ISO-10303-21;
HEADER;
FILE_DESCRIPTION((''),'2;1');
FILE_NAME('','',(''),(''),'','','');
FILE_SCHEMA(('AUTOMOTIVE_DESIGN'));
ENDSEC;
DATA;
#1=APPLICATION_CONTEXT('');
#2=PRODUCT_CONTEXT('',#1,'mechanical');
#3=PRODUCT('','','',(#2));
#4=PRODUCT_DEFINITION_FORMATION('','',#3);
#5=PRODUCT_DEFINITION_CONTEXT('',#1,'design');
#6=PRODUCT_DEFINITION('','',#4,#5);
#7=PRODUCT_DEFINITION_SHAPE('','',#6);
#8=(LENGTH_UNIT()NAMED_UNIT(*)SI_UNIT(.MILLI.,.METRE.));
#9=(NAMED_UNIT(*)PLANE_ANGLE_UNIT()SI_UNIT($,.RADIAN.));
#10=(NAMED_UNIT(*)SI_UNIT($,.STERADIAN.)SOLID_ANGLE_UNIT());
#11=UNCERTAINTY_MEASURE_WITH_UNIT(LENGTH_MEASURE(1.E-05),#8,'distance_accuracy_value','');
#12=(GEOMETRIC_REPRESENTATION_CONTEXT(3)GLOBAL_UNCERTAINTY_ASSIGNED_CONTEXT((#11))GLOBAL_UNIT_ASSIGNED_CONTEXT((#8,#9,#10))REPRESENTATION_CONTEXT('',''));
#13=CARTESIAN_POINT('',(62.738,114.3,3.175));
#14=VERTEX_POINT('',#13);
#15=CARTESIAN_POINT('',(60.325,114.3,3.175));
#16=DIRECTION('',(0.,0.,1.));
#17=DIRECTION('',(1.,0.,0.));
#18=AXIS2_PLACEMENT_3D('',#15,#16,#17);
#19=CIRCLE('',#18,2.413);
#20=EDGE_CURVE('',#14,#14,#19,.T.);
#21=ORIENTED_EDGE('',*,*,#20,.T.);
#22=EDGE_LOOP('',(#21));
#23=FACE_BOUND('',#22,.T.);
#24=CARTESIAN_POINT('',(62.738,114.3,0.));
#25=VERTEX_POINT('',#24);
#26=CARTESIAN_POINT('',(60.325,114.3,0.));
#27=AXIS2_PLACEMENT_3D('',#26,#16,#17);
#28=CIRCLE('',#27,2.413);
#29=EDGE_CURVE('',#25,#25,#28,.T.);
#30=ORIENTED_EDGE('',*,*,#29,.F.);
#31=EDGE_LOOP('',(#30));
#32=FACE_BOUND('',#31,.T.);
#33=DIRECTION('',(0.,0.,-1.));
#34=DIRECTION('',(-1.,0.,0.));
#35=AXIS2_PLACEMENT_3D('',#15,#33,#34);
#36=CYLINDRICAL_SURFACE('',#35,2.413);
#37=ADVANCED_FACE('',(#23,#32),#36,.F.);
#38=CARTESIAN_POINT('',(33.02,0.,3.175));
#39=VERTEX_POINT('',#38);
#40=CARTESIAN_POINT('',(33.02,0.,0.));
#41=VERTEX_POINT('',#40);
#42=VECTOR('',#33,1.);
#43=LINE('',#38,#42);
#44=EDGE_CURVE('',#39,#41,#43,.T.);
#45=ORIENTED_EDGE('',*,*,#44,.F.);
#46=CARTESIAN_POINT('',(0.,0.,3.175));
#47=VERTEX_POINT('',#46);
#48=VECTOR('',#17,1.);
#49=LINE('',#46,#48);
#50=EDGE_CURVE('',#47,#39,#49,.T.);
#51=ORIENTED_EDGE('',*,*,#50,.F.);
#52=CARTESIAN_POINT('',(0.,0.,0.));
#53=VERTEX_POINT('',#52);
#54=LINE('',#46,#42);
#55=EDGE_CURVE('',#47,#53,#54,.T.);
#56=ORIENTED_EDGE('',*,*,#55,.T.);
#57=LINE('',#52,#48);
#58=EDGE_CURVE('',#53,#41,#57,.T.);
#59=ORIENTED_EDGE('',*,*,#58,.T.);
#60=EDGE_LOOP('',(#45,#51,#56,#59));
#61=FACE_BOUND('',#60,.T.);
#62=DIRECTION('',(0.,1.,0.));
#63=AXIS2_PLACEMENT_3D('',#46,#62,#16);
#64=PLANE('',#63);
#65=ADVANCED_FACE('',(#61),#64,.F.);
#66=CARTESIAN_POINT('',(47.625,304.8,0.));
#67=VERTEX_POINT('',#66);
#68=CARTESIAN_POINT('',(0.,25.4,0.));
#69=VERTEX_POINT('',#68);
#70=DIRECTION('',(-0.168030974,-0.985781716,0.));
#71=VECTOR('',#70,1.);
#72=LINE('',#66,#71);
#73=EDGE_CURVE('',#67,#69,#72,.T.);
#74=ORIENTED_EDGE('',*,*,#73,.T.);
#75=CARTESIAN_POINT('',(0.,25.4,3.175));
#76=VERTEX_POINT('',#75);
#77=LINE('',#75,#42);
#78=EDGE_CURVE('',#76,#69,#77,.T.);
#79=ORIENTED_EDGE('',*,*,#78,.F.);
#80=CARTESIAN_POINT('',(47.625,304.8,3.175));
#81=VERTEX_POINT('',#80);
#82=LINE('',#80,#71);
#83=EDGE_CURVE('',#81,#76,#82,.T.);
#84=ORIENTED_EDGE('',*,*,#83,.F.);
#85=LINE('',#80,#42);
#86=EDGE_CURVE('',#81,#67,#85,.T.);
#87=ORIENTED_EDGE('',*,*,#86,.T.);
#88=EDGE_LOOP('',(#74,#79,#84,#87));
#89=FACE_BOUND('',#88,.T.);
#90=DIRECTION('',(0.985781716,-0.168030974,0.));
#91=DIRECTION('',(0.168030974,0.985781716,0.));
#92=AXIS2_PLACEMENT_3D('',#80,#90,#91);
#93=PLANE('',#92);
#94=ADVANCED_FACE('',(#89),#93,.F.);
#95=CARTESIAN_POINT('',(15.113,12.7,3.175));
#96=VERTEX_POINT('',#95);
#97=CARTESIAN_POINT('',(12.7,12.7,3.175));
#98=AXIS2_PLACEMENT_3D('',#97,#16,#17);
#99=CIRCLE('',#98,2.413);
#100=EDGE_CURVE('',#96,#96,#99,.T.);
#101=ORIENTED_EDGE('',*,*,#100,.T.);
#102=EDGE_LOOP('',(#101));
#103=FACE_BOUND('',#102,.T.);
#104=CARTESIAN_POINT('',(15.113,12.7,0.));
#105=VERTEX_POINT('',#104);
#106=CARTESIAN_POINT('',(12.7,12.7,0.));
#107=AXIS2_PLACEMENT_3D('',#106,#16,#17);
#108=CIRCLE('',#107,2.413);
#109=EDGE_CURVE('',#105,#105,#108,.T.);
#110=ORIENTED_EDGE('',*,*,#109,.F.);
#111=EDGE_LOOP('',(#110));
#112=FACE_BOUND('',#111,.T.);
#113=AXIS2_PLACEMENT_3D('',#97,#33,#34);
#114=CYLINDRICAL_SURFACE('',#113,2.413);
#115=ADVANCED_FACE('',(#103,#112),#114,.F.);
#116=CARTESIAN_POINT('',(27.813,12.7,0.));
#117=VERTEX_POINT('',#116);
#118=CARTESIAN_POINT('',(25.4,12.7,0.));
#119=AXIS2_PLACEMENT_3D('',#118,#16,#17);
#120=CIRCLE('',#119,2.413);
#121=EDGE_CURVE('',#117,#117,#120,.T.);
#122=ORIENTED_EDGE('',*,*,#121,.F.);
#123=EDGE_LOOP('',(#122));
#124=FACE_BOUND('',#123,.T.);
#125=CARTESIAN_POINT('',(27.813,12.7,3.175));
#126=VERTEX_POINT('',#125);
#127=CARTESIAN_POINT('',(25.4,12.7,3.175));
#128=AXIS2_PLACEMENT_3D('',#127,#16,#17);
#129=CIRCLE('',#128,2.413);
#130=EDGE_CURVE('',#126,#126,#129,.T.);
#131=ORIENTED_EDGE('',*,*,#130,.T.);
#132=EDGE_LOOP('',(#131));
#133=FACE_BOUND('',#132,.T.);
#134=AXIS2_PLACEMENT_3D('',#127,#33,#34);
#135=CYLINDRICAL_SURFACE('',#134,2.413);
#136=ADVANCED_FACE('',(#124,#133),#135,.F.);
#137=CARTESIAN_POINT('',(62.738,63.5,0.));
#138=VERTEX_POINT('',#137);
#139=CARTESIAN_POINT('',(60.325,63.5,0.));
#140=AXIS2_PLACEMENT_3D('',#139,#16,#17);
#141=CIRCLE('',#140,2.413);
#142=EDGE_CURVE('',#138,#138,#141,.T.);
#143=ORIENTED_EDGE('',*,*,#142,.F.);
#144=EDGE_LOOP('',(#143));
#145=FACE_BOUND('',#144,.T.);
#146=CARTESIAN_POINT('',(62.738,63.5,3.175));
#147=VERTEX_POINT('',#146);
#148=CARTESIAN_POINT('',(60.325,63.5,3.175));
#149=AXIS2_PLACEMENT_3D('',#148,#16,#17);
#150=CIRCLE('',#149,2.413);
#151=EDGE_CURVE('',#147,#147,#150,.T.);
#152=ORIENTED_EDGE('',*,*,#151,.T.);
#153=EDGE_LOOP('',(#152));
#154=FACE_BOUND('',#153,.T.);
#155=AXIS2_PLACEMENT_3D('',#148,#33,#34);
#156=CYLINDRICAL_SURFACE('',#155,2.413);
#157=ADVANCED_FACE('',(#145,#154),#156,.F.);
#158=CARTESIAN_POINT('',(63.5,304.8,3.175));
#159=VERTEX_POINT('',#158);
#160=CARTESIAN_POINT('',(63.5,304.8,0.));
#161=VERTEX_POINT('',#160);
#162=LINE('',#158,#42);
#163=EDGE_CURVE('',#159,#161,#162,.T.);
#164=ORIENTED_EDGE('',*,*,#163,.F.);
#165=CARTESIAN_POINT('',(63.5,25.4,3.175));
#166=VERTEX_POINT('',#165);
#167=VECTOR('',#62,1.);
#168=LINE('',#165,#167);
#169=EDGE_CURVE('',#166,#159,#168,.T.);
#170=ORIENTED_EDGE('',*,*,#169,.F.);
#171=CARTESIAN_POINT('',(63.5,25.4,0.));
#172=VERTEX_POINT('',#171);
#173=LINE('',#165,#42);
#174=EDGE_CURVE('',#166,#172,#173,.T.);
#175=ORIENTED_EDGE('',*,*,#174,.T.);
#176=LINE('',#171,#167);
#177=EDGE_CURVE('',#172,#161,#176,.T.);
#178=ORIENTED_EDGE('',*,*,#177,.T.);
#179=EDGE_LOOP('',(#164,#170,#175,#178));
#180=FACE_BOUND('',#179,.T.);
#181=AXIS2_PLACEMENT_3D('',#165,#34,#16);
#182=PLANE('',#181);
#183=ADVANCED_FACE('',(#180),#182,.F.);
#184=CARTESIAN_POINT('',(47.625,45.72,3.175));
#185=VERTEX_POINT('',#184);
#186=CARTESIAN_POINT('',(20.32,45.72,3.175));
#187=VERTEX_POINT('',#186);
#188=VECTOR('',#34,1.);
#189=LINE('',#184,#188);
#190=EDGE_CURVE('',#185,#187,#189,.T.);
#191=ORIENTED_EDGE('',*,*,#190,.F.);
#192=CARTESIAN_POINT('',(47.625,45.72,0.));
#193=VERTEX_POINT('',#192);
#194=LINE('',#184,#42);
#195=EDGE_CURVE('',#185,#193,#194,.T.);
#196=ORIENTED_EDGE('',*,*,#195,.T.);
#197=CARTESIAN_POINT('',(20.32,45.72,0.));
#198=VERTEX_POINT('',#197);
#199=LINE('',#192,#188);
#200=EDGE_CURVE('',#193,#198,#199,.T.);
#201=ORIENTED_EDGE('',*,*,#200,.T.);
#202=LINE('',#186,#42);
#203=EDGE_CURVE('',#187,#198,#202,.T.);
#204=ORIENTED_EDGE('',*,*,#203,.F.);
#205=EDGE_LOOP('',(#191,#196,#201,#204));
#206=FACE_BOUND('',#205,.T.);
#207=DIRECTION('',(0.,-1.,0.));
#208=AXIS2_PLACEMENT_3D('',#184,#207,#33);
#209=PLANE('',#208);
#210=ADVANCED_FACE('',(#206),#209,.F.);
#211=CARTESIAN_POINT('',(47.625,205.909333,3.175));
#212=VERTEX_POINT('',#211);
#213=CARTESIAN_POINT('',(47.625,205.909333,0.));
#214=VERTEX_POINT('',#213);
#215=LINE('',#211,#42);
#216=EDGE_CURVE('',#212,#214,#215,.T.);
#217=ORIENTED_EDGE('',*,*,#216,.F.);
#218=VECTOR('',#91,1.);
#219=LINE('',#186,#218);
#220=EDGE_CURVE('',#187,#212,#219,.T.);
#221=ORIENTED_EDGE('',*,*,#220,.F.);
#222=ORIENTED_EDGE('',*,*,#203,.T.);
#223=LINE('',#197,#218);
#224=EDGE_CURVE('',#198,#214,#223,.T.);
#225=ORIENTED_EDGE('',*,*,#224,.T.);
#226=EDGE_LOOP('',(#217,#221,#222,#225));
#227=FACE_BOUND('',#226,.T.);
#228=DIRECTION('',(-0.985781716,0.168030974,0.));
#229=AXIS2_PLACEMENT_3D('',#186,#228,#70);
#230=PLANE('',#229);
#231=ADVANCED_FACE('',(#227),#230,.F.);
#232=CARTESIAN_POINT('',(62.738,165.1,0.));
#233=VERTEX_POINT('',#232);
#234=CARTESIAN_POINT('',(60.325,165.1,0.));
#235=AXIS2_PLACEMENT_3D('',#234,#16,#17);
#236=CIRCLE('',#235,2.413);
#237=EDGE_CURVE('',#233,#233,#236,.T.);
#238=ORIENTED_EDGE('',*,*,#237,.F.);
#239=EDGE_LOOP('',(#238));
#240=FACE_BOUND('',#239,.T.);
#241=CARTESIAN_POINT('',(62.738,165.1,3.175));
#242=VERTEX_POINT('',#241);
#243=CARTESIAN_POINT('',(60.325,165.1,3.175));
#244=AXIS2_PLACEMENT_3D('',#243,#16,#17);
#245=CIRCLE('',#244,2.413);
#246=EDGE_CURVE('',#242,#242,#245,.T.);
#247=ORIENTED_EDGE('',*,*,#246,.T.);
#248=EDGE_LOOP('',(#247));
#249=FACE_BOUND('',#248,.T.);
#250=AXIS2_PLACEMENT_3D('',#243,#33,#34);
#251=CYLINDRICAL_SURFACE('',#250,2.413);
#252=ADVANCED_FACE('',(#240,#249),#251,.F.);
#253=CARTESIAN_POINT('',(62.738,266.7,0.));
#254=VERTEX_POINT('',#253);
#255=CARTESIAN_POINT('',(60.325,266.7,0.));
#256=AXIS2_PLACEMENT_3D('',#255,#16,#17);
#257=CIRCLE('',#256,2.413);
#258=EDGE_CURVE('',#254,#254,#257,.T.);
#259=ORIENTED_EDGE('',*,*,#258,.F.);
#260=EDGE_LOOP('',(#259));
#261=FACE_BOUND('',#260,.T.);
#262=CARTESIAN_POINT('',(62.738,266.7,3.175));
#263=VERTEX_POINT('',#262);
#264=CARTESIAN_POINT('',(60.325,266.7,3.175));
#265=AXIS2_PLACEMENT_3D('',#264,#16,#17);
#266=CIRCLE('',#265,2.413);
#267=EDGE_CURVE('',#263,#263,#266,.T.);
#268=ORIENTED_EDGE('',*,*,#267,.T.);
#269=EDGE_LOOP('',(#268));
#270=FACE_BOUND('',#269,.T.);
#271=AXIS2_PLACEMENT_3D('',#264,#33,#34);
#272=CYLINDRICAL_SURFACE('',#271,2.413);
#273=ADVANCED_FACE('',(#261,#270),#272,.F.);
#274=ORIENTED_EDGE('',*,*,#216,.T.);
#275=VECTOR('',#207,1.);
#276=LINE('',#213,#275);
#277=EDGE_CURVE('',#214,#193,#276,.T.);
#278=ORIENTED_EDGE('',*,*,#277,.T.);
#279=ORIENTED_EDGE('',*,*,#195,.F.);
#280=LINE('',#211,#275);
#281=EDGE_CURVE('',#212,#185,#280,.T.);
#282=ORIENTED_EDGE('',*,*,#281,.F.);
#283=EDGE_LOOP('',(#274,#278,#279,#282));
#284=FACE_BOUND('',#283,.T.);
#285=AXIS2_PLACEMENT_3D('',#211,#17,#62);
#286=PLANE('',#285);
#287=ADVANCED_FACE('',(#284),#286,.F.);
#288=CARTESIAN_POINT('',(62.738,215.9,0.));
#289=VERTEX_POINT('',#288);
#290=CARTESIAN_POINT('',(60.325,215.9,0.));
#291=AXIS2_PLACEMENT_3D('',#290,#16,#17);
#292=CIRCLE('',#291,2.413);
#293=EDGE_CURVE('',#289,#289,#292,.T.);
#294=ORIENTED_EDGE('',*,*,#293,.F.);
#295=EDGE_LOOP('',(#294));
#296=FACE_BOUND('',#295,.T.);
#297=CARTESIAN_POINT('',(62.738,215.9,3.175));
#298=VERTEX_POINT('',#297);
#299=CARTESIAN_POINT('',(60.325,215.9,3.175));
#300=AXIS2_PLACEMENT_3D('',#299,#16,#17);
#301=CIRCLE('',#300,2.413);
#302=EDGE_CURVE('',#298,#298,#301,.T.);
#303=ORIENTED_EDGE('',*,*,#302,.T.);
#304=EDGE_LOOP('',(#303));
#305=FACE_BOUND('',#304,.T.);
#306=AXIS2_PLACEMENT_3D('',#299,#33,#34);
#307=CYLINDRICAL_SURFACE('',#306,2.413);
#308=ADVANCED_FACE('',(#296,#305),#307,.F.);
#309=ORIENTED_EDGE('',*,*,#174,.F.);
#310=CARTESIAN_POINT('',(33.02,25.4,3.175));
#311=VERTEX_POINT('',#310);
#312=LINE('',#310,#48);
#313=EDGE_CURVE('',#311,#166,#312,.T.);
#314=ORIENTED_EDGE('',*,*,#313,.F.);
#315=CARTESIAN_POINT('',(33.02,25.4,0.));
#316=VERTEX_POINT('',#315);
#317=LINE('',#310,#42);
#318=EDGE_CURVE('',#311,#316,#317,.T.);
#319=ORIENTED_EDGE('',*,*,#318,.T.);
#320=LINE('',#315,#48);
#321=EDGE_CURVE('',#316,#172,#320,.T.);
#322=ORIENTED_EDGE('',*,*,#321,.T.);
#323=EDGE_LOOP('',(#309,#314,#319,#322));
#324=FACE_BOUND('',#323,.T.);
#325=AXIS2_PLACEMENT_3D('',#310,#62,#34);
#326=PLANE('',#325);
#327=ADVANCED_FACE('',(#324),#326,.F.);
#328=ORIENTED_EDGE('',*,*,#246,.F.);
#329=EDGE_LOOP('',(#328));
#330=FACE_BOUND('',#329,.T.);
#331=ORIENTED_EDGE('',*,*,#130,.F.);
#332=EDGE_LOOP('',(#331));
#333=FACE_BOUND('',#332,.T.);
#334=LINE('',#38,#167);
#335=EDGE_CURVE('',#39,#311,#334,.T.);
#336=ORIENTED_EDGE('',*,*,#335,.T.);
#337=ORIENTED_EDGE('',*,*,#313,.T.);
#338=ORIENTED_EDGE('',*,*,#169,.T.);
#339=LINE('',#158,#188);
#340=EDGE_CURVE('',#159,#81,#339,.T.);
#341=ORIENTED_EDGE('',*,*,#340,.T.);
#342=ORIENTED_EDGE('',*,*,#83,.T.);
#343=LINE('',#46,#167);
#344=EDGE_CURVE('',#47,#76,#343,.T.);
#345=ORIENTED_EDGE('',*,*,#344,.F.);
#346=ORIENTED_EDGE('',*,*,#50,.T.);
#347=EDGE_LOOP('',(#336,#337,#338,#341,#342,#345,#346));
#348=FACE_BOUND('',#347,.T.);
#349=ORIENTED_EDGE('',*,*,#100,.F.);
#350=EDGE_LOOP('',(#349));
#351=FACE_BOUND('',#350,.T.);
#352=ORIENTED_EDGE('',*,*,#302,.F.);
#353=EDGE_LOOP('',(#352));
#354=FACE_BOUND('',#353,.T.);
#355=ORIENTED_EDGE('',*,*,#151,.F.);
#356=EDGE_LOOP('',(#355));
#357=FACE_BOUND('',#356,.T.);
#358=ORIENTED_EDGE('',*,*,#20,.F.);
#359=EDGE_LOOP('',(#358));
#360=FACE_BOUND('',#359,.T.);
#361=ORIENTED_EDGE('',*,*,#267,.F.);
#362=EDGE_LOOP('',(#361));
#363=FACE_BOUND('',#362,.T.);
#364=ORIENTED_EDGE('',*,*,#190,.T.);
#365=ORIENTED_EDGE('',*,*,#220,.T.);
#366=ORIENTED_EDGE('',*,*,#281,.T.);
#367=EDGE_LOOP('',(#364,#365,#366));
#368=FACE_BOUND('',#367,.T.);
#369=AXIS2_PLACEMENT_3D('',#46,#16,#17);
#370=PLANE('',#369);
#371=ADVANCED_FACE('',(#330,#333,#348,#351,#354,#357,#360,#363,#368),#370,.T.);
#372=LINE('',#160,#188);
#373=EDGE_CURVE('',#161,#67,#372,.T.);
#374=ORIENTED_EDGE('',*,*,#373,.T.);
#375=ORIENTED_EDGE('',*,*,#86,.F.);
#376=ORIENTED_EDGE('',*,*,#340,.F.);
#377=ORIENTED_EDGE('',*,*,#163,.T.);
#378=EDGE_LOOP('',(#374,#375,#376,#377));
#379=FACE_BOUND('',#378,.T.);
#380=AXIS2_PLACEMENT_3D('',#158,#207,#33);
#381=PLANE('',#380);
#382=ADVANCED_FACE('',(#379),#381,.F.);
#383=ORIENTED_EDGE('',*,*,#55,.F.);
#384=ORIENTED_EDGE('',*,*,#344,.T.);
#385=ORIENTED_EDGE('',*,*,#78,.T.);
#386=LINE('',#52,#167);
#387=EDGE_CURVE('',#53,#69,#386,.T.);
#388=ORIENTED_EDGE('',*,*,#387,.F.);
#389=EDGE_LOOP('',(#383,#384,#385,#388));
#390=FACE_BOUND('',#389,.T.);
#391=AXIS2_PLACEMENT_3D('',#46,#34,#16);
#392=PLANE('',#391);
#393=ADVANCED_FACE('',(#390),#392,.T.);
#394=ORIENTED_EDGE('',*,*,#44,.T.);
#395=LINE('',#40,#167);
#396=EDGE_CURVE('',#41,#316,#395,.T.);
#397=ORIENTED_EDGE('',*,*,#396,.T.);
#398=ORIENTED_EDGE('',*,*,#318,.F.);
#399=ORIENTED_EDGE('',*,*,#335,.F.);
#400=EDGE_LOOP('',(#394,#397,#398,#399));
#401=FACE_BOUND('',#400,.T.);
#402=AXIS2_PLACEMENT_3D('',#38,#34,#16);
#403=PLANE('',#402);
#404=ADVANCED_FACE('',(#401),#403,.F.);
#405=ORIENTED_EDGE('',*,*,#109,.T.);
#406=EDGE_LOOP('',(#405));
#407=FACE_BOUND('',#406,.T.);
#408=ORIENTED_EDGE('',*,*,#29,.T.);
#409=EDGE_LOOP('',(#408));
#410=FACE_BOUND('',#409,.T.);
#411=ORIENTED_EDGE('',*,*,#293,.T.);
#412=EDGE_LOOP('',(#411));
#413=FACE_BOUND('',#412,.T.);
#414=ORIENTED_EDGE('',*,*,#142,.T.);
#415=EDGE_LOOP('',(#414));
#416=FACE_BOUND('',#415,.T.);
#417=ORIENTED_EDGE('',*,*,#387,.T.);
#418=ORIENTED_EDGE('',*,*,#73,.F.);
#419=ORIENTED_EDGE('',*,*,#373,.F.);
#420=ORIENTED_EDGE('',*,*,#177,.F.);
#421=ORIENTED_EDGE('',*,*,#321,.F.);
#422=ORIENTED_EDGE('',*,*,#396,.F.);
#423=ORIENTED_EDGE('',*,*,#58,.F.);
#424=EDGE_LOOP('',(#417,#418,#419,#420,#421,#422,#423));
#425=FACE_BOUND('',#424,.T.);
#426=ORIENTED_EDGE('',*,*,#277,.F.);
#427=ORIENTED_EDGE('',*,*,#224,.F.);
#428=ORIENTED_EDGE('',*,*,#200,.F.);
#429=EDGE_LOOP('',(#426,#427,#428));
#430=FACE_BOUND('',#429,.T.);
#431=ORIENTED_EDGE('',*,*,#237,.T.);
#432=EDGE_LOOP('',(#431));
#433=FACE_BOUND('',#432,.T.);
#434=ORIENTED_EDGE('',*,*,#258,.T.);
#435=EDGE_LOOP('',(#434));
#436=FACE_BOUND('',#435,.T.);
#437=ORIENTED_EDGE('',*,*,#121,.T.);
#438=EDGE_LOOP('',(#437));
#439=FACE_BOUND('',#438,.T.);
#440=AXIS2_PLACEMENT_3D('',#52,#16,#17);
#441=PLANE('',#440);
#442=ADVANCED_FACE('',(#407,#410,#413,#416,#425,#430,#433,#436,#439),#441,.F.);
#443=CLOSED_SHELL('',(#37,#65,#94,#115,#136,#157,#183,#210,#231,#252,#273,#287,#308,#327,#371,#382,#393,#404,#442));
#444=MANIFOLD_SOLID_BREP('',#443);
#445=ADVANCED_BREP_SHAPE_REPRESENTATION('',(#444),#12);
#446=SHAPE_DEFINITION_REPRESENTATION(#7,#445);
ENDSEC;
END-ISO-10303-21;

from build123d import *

# Parameters (mm, degrees)
SKETCH1_R           = 2.413
BOSS_EXTRUDE1_DEPTH = 3.175


with BuildPart() as part:
    # Sketch1 → Boss-Extrude1 (new body)
    with BuildSketch(Plane.XY):
        Polygon((0, 0), (33.02, 0), (33.02, 25.4), (63.5, 25.4), (63.5, 304.8), (47.625, 304.8), (0, 25.4), align=None)
        with Locations((12.7, 12.7)):
            Circle(SKETCH1_R, mode=Mode.SUBTRACT)
        with Locations((25.4, 12.7)):
            Circle(SKETCH1_R, mode=Mode.SUBTRACT)
        with Locations((60.325, 63.5)):
            Circle(SKETCH1_R, mode=Mode.SUBTRACT)
        with Locations((60.325, 114.3)):
            Circle(SKETCH1_R, mode=Mode.SUBTRACT)
        with Locations((60.325, 165.1)):
            Circle(SKETCH1_R, mode=Mode.SUBTRACT)
        with Locations((60.325, 215.9)):
            Circle(SKETCH1_R, mode=Mode.SUBTRACT)
        with Locations((60.325, 266.7)):
            Circle(SKETCH1_R, mode=Mode.SUBTRACT)
        Polygon((47.625, 205.909333333), (47.625, 45.72), (20.32, 45.72), align=None, mode=Mode.SUBTRACT)
    extrude(amount=BOSS_EXTRUDE1_DEPTH)


solid = part.part
